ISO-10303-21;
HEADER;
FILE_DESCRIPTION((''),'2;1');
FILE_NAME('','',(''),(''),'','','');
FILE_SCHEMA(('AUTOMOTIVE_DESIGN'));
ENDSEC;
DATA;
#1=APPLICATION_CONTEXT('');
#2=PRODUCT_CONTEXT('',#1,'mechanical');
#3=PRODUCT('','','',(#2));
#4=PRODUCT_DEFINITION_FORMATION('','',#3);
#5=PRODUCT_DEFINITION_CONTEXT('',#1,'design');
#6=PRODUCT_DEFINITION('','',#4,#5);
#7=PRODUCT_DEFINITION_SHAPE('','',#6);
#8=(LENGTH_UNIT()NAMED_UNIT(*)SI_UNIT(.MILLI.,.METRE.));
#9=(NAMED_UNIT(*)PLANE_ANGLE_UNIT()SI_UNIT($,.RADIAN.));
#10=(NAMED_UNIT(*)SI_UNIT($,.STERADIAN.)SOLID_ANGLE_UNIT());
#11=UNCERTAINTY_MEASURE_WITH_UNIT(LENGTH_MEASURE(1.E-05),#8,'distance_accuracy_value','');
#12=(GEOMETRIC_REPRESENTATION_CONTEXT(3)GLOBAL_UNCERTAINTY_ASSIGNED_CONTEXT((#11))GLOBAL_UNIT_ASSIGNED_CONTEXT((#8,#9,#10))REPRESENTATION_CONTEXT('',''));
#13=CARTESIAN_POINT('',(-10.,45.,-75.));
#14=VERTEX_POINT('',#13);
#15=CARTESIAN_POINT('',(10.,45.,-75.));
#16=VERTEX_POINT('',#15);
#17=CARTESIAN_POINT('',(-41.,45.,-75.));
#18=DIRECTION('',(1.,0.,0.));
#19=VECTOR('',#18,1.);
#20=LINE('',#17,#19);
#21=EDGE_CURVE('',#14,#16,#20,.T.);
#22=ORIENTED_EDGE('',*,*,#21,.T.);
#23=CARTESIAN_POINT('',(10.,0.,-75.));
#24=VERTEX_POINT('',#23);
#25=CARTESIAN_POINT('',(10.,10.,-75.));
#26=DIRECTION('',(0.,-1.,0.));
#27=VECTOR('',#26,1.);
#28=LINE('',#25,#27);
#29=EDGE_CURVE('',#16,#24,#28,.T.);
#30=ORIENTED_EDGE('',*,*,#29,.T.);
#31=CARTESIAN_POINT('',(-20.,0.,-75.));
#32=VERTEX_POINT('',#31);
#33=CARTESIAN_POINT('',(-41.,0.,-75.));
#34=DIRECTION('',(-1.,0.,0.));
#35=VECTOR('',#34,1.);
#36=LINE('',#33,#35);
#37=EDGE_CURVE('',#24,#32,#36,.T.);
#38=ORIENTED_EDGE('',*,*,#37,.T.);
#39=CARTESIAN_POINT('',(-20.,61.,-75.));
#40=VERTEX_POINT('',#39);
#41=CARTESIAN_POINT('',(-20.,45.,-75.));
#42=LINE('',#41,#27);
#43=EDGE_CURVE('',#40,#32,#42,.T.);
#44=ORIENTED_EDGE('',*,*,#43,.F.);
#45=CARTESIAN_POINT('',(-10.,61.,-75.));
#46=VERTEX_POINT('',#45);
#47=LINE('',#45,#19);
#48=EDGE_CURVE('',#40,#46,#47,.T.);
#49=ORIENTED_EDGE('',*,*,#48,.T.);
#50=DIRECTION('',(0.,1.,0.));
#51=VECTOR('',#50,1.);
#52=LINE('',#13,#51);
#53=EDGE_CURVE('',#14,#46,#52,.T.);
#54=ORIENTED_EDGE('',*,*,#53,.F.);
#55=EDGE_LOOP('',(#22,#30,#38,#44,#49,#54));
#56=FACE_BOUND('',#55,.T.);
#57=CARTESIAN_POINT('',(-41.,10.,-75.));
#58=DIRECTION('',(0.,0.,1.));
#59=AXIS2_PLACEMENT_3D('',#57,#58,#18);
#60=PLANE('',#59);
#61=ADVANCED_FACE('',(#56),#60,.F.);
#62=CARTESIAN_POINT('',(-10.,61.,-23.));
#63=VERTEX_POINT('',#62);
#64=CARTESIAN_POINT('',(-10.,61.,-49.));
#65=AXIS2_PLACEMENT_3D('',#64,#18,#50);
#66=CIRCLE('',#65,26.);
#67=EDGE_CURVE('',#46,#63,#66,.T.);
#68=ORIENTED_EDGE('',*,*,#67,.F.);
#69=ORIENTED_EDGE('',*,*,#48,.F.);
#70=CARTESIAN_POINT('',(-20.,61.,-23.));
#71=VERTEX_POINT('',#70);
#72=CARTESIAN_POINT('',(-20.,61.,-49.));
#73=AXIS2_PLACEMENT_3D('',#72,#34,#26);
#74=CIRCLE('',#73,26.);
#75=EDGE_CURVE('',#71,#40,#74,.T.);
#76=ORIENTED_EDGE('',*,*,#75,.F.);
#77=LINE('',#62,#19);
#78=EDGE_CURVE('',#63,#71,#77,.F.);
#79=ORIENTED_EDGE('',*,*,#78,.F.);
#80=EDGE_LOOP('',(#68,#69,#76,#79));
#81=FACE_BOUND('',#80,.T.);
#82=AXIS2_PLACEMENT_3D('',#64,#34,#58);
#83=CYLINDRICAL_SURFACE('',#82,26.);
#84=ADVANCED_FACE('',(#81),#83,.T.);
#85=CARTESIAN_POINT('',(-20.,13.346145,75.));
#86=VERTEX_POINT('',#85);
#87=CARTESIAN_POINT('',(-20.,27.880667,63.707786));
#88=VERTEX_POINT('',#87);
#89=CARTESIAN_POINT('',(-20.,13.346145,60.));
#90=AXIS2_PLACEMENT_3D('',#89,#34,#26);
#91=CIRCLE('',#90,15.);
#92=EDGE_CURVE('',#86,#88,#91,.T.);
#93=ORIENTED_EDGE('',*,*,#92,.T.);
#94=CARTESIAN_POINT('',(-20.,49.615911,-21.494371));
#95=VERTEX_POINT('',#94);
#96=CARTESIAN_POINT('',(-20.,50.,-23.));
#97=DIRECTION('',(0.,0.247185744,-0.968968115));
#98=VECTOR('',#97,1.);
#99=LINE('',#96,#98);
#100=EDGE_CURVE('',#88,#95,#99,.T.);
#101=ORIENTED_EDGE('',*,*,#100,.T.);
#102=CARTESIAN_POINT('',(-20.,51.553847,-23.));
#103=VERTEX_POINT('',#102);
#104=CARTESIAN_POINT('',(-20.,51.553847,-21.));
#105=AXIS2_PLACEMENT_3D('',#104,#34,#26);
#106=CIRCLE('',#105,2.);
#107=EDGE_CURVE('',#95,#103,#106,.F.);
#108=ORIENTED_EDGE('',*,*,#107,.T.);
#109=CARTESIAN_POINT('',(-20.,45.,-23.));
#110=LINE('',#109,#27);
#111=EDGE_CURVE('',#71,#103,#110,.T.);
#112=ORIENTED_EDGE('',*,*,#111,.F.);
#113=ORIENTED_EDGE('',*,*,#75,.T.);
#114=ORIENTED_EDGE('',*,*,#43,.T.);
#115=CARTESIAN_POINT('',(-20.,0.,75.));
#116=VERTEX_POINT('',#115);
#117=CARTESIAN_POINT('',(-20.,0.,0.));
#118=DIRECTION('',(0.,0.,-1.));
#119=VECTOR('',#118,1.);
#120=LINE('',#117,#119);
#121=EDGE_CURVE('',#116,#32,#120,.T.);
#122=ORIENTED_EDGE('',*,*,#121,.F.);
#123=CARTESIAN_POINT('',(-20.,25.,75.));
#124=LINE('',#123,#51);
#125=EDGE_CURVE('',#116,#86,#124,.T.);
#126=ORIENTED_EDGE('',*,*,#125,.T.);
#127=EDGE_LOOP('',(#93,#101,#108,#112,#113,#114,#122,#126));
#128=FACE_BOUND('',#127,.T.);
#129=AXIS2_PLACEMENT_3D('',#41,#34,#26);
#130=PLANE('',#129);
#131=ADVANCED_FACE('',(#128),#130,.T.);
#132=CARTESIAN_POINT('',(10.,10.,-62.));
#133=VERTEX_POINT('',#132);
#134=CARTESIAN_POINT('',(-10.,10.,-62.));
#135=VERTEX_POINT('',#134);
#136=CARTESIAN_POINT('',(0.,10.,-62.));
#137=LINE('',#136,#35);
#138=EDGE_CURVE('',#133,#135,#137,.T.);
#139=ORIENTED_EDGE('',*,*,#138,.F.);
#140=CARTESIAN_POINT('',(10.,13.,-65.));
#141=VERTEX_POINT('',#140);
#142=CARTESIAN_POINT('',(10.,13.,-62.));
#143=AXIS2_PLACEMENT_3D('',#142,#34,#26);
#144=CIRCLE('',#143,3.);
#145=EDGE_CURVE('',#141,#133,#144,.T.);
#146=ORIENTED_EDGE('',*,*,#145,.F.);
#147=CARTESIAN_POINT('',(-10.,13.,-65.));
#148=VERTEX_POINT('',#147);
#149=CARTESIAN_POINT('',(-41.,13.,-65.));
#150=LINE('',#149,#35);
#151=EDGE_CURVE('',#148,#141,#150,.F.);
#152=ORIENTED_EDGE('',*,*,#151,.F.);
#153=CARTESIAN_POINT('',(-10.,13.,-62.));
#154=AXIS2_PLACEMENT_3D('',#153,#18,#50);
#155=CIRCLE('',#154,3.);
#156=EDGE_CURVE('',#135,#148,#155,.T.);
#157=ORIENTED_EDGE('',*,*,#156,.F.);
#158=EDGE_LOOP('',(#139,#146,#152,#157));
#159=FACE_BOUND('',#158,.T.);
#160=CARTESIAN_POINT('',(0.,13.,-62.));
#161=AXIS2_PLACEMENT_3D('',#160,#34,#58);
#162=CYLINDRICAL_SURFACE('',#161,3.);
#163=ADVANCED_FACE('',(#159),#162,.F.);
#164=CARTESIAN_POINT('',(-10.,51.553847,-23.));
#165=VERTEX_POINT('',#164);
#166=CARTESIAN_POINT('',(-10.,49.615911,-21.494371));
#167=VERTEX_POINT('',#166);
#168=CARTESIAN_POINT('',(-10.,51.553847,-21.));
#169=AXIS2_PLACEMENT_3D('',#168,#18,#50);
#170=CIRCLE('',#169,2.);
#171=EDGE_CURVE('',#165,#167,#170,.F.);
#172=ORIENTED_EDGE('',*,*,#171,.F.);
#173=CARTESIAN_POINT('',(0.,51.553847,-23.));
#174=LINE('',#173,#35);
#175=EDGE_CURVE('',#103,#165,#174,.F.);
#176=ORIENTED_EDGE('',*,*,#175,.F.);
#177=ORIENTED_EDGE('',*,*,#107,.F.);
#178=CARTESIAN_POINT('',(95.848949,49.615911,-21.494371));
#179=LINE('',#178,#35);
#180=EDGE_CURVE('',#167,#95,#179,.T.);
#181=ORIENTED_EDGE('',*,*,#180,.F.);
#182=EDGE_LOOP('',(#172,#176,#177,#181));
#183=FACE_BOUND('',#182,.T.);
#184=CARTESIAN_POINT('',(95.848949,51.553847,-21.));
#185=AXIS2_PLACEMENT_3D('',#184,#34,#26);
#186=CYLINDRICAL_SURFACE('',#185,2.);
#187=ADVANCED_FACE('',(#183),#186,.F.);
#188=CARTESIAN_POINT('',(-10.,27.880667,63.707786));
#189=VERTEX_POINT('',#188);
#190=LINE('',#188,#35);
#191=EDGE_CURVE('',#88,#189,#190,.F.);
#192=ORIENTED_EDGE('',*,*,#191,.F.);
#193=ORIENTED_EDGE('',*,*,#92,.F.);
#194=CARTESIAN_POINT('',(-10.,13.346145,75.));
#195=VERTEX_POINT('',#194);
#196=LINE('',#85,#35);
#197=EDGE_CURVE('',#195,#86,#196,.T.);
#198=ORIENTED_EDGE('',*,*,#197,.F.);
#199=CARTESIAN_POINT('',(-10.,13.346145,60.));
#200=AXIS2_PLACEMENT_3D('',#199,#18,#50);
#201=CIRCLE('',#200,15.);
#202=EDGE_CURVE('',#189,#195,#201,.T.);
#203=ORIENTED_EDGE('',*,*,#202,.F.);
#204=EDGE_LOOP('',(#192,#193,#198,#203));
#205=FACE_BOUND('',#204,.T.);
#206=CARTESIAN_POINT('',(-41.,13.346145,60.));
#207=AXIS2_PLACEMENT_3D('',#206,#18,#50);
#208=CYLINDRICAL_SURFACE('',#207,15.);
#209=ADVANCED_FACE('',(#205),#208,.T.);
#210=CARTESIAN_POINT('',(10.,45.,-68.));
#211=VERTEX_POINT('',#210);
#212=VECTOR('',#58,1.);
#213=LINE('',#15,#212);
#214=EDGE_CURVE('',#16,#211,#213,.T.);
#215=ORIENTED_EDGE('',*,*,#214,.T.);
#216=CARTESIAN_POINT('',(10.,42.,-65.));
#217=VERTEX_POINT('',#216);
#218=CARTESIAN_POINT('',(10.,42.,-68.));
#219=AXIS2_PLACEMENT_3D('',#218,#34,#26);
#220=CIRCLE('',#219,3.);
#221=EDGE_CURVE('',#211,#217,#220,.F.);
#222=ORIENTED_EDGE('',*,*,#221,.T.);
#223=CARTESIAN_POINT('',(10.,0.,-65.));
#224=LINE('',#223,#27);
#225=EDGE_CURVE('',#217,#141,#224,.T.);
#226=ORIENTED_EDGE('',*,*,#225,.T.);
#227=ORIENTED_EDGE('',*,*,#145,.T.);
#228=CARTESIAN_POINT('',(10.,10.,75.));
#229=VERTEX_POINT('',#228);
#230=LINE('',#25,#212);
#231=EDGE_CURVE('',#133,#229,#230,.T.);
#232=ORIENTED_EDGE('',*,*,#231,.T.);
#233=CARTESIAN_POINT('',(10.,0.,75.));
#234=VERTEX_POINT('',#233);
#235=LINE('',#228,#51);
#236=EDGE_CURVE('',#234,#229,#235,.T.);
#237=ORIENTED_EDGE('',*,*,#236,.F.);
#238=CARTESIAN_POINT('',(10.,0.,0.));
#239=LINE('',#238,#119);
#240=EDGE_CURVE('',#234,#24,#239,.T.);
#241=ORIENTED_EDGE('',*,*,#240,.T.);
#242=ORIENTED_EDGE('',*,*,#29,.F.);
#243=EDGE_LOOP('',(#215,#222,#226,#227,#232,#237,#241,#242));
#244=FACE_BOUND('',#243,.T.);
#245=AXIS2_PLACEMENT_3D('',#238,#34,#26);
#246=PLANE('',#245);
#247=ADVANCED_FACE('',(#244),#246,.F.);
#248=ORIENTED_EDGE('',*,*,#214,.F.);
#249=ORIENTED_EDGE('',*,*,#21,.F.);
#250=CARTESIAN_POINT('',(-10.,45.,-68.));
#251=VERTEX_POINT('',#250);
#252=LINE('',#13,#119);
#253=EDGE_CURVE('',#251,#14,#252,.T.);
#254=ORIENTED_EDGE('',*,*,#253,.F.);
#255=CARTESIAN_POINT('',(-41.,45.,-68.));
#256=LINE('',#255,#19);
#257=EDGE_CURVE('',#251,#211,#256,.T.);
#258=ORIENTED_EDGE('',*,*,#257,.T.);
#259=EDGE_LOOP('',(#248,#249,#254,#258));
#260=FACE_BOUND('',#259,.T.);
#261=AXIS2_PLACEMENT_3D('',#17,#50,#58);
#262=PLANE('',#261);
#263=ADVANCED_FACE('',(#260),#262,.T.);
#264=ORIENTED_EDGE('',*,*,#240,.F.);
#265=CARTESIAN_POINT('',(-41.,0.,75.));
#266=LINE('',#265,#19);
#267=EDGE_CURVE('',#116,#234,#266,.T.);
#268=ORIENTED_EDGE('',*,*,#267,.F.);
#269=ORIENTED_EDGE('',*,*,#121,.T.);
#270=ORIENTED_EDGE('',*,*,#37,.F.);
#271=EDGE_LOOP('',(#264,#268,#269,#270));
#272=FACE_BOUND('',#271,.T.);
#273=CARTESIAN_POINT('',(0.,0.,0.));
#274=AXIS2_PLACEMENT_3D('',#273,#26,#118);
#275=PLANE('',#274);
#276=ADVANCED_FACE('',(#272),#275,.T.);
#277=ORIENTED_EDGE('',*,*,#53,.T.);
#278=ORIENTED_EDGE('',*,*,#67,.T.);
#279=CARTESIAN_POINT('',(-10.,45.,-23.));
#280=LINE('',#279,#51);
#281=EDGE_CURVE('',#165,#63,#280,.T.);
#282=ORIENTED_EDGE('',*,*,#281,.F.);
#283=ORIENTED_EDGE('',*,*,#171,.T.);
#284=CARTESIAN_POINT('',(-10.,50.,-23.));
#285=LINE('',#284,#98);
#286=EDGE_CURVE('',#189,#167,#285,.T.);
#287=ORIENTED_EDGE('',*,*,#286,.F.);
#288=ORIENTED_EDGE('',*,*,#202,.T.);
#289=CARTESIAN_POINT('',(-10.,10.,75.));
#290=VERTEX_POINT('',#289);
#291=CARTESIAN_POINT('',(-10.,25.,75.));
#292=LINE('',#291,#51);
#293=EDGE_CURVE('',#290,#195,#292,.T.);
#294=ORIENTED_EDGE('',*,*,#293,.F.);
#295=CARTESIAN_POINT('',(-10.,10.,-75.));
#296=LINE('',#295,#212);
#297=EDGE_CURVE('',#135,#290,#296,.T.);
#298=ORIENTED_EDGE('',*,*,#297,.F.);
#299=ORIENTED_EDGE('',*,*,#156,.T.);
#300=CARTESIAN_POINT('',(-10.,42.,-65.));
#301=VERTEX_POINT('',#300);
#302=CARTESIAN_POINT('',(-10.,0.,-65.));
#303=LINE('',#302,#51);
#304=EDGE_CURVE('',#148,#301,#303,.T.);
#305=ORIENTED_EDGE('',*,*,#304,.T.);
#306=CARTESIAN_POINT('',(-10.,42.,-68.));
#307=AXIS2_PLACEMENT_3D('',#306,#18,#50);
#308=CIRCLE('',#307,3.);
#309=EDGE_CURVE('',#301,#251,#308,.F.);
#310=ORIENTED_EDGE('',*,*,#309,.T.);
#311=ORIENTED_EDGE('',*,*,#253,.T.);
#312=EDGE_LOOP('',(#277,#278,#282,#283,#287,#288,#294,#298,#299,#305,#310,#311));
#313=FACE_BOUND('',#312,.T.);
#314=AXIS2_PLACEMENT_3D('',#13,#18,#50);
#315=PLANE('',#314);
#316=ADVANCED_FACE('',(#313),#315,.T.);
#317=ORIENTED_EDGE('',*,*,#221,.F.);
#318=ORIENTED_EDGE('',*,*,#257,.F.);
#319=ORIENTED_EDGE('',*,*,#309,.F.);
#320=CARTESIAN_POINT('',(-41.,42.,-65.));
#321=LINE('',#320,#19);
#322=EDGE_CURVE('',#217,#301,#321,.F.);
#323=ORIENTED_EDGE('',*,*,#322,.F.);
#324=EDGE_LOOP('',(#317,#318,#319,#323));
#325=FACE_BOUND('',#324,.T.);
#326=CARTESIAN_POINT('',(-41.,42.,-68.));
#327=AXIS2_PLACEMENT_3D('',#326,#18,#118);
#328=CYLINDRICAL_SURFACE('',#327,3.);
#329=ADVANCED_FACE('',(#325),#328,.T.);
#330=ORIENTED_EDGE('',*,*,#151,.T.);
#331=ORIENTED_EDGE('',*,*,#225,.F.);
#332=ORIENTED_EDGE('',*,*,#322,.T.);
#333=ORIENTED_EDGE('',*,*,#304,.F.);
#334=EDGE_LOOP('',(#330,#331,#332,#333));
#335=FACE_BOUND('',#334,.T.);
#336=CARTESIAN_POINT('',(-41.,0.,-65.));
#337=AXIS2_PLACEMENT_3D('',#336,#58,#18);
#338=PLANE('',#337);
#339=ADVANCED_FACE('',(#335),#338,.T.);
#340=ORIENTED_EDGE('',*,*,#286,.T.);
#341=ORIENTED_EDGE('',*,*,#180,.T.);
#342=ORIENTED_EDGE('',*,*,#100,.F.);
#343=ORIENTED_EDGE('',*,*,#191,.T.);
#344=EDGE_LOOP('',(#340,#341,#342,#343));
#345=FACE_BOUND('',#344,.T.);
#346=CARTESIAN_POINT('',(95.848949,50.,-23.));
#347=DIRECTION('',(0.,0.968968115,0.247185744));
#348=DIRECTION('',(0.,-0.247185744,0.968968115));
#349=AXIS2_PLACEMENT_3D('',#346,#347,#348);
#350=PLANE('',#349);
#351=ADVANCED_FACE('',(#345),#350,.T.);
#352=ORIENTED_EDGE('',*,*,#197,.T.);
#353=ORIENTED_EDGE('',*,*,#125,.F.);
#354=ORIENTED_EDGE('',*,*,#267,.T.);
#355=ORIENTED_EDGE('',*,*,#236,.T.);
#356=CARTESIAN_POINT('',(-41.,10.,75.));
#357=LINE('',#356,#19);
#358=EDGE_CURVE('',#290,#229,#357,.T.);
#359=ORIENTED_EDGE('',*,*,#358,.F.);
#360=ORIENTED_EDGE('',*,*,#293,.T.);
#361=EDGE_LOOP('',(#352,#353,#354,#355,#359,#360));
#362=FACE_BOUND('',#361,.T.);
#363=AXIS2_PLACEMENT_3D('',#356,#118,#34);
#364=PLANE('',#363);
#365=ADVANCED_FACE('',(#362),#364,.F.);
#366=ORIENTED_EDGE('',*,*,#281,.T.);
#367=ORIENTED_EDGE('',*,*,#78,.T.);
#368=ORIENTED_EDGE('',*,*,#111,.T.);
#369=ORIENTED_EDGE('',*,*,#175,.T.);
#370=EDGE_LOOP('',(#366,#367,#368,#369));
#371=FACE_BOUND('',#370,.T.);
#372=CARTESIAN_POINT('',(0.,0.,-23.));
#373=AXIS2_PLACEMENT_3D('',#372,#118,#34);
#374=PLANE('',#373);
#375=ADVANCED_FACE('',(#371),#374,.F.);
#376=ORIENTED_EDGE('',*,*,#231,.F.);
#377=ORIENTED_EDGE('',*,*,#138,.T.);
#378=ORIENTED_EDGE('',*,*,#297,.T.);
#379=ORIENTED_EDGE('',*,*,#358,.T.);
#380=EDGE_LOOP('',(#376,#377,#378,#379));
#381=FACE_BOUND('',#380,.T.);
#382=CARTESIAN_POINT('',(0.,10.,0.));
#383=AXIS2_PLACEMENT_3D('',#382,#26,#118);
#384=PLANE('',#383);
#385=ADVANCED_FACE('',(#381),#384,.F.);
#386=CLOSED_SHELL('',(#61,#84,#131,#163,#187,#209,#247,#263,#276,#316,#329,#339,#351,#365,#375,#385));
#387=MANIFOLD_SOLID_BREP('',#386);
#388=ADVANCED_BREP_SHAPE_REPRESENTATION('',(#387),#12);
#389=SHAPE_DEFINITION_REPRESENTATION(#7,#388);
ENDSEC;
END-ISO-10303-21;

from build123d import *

# Parameters (mm, degrees)
SKETCH1_W                = 82
SKETCH1_H                = 150
BOSS_EXTRUDE1_DEPTH      = 10
SKETCH2_W                = 10
SKETCH2_H                = 45
BOSS_EXTRUDE2_DEPTH      = 82
BOSS_EXTRUDE3_DEPTH      = 42
BOSS_EXTRUDE3_DEPTH_BACK = 10
FILLET3_RADIUS           = 26
FILLET3_LENGTH           = 10
FILLET4_RADIUS           = 26
FILLET4_LENGTH           = 10
BOSS_EXTRUDE4_DEPTH      = 10
BOSS_EXTRUDE5_DEPTH      = 10
FILLET5_R                = 15
FILLET6_R                = 15
SKETCH6_R                = 8
SKETCH6_R_2              = 5.5
CUT_EXTRUDE1_DEPTH       = 131.057679512
FILLET7_R                = 3
FILLET8_R                = 3
FILLET9_R                = 3
FILLET10_R               = 3
FILLET11_R               = 2
SKETCH7_R                = 5.5
CUT_EXTRUDE2_DEPTH       = 116.043470045
SKETCH8_W                = 188.706485039
SKETCH8_H                = 108.604028409
CUT_EXTRUDE3_DEPTH       = 126.678160394
SKETCH9_W                = 188.802330386
SKETCH9_H                = 115.284492933
CUT_EXTRUDE4_DEPTH       = 119.718153624
SKETCH10_W               = 24.217021772
SKETCH10_H               = 20.660675918
SKETCH10_W_2             = 13.71733401
SKETCH10_H_2             = 13.378634406
BOSS_EXTRUDE6_DEPTH      = 10


with BuildPart() as part:
    # Sketch1 → Boss-Extrude1 (new body)
    with BuildSketch(Plane(origin=(0, 0, 0), x_dir=(1, 0, 0), z_dir=(0, 1, 0))):
        Rectangle(SKETCH1_W, SKETCH1_H)
    extrude(amount=BOSS_EXTRUDE1_DEPTH)

    # Sketch2 → Boss-Extrude2 (add, through all)
    with BuildSketch(Plane(origin=(41, 0, 0), x_dir=(0, 0, -1), z_dir=(1, 0, 0))):
        with Locations((70, 22.5)):
            Rectangle(SKETCH2_W, SKETCH2_H)
    extrude(amount=-BOSS_EXTRUDE2_DEPTH)

    # Sketch3 → Boss-Extrude3 (add, two sides: drawn at the far end of the back side and taken through both)
    with BuildSketch(Plane.XY.offset(-65).offset(-BOSS_EXTRUDE3_DEPTH_BACK)):
        Polygon((10, 45), (10, 10), (20, 10), (20, 45), (20, 87), (10, 87), align=None)
        Polygon((-10, 45), (-10, 87), (-20, 87), (-20, 45), (-20, 10), (-10, 10), align=None)
    extrude(amount=BOSS_EXTRUDE3_DEPTH + BOSS_EXTRUDE3_DEPTH_BACK)

    # Fillet3: full round fillet: the end face becomes a half cylinder, R = half its width
    fillet3_face = Plane((15, 87, -49), x_dir=(-1, 0, 0), z_dir=(0, 1, 0))  # on the end face: x along it, z out of the body
    fillet3_slab = fillet3_face.offset(-FILLET3_RADIUS / 2) * Box(FILLET3_LENGTH, 2 * FILLET3_RADIUS, FILLET3_RADIUS, mode=Mode.PRIVATE)  # the body's end, R deep
    fillet3_round = Plane((15, 61, -49), x_dir=(0, 1, 0), z_dir=(-1, 0, 0)) * Cylinder(FILLET3_RADIUS, FILLET3_LENGTH, mode=Mode.PRIVATE)  # its axis R under the face
    add(fillet3_slab - fillet3_round, mode=Mode.SUBTRACT)

    # Fillet4: full round fillet: the end face becomes a half cylinder, R = half its width
    fillet4_face = Plane((-15, 87, -49), x_dir=(-1, 0, 0), z_dir=(0, 1, 0))  # on the end face: x along it, z out of the body
    fillet4_slab = fillet4_face.offset(-FILLET4_RADIUS / 2) * Box(FILLET4_LENGTH, 2 * FILLET4_RADIUS, FILLET4_RADIUS, mode=Mode.PRIVATE)  # the body's end, R deep
    fillet4_round = Plane((-15, 61, -49), x_dir=(0, 1, 0), z_dir=(-1, 0, 0)) * Cylinder(FILLET4_RADIUS, FILLET4_LENGTH, mode=Mode.PRIVATE)  # its axis R under the face
    add(fillet4_slab - fillet4_round, mode=Mode.SUBTRACT)

    # Sketch4 → Boss-Extrude4 (add)
    with BuildSketch(Plane(origin=(20, 0, 0), x_dir=(0, 0, -1), z_dir=(1, 0, 0))):
        Polygon((23, 10), (23, 50), (-75, 25), (-75, 10), align=None)
    extrude(amount=-BOSS_EXTRUDE4_DEPTH)

    # Sketch5 → Boss-Extrude5 (add)
    with BuildSketch(Plane.ZY.offset(20)):
        Polygon((-23, 50), (75, 25), (75, 10), (-23, 10), align=None)
    extrude(amount=-BOSS_EXTRUDE5_DEPTH)

    # Fillet5
    fillet5_edges = [part.edges().sort_by_distance(p)[0] for p in [
        (15, 25, 75),
    ]]
    fillet(fillet5_edges, radius=FILLET5_R)

    # Fillet6
    fillet6_edges = [part.edges().sort_by_distance(p)[0] for p in [
        (-15, 25, 75),
    ]]
    fillet(fillet6_edges, radius=FILLET6_R)

    # Sketch6 → Cut-Extrude1 (cut, through all)
    with BuildSketch(Plane(origin=(20, 0, 0), x_dir=(0, 0, -1), z_dir=(1, 0, 0))):
        with Locations((49, 61)):
            Circle(SKETCH6_R)
        with Locations((-60, 17.5)):
            Circle(SKETCH6_R_2)
    extrude(amount=-CUT_EXTRUDE1_DEPTH, mode=Mode.SUBTRACT)

    # Fillet7
    fillet7_edges = [part.edges().sort_by_distance(p)[0] for p in [
        (30.5, 45, -65),
    ]]
    fillet(fillet7_edges, radius=FILLET7_R)

    # Fillet8
    fillet8_edges = [part.edges().sort_by_distance(p)[0] for p in [
        (0, 45, -65),
    ]]
    fillet(fillet8_edges, radius=FILLET8_R)

    # Fillet9
    fillet9_edges = [part.edges().sort_by_distance(p)[0] for p in [
        (-30.5, 45, -65),
    ]]
    fillet(fillet9_edges, radius=FILLET9_R)

    # Fillet10
    fillet10_edges = [part.edges().sort_by_distance(p)[0] for p in [
        (30.5, 10, -65),
        (0, 10, -65),
        (-30.5, 10, -65),
    ]]
    fillet(fillet10_edges, radius=FILLET10_R)

    # Fillet11
    fillet11_edges = [part.edges().sort_by_distance(p)[0] for p in [
        (15, 50, -23),
        (-15, 50, -23),
    ]]
    fillet(fillet11_edges, radius=FILLET11_R)

    # Sketch7 → Cut-Extrude2 (cut, through all)
    with BuildSketch(Plane(origin=(0, 10, 0), x_dir=(1, 0, 0), z_dir=(0, 1, 0))):
        with Locations(Location((31.5, 45, 0), (0, 0, 270))):
            Circle(SKETCH7_R)
        with Locations(Location((31.5, -15, 0), (0, 0, 270))):
            Circle(SKETCH7_R)
        with Locations(Location((-31.5, -15, 0), (0, 0, 90))):
            Circle(SKETCH7_R)
        with Locations(Location((-31.5, 45, 0), (0, 0, 90))):
            Circle(SKETCH7_R)
    extrude(amount=-CUT_EXTRUDE2_DEPTH, mode=Mode.SUBTRACT)

    # Sketch8 → Cut-Extrude3 (cut, through all)
    with BuildSketch(Plane.ZY.offset(-10)):
        with Locations((0.093142392, 45.704427175)):
            Rectangle(SKETCH8_W, SKETCH8_H)
    extrude(amount=-CUT_EXTRUDE3_DEPTH, mode=Mode.SUBTRACT)

    # Sketch9 → Cut-Extrude4 (cut, through all)
    with BuildSketch(Plane.ZY.offset(20)):
        with Locations((2.13095181, 34.866066892)):
            Rectangle(SKETCH9_W, SKETCH9_H)
    extrude(amount=CUT_EXTRUDE4_DEPTH, mode=Mode.SUBTRACT)

    # Sketch10 → Boss-Extrude6 (add)
    with BuildSketch(Plane.ZY.offset(20)):
        with Locations((-48.857418051, 60.43498026)):
            Rectangle(SKETCH10_W, SKETCH10_H)
        with Locations((60.54255443, 16.996755893)):
            Rectangle(SKETCH10_W_2, SKETCH10_H_2)
    extrude(amount=-BOSS_EXTRUDE6_DEPTH)


solid = part.part
